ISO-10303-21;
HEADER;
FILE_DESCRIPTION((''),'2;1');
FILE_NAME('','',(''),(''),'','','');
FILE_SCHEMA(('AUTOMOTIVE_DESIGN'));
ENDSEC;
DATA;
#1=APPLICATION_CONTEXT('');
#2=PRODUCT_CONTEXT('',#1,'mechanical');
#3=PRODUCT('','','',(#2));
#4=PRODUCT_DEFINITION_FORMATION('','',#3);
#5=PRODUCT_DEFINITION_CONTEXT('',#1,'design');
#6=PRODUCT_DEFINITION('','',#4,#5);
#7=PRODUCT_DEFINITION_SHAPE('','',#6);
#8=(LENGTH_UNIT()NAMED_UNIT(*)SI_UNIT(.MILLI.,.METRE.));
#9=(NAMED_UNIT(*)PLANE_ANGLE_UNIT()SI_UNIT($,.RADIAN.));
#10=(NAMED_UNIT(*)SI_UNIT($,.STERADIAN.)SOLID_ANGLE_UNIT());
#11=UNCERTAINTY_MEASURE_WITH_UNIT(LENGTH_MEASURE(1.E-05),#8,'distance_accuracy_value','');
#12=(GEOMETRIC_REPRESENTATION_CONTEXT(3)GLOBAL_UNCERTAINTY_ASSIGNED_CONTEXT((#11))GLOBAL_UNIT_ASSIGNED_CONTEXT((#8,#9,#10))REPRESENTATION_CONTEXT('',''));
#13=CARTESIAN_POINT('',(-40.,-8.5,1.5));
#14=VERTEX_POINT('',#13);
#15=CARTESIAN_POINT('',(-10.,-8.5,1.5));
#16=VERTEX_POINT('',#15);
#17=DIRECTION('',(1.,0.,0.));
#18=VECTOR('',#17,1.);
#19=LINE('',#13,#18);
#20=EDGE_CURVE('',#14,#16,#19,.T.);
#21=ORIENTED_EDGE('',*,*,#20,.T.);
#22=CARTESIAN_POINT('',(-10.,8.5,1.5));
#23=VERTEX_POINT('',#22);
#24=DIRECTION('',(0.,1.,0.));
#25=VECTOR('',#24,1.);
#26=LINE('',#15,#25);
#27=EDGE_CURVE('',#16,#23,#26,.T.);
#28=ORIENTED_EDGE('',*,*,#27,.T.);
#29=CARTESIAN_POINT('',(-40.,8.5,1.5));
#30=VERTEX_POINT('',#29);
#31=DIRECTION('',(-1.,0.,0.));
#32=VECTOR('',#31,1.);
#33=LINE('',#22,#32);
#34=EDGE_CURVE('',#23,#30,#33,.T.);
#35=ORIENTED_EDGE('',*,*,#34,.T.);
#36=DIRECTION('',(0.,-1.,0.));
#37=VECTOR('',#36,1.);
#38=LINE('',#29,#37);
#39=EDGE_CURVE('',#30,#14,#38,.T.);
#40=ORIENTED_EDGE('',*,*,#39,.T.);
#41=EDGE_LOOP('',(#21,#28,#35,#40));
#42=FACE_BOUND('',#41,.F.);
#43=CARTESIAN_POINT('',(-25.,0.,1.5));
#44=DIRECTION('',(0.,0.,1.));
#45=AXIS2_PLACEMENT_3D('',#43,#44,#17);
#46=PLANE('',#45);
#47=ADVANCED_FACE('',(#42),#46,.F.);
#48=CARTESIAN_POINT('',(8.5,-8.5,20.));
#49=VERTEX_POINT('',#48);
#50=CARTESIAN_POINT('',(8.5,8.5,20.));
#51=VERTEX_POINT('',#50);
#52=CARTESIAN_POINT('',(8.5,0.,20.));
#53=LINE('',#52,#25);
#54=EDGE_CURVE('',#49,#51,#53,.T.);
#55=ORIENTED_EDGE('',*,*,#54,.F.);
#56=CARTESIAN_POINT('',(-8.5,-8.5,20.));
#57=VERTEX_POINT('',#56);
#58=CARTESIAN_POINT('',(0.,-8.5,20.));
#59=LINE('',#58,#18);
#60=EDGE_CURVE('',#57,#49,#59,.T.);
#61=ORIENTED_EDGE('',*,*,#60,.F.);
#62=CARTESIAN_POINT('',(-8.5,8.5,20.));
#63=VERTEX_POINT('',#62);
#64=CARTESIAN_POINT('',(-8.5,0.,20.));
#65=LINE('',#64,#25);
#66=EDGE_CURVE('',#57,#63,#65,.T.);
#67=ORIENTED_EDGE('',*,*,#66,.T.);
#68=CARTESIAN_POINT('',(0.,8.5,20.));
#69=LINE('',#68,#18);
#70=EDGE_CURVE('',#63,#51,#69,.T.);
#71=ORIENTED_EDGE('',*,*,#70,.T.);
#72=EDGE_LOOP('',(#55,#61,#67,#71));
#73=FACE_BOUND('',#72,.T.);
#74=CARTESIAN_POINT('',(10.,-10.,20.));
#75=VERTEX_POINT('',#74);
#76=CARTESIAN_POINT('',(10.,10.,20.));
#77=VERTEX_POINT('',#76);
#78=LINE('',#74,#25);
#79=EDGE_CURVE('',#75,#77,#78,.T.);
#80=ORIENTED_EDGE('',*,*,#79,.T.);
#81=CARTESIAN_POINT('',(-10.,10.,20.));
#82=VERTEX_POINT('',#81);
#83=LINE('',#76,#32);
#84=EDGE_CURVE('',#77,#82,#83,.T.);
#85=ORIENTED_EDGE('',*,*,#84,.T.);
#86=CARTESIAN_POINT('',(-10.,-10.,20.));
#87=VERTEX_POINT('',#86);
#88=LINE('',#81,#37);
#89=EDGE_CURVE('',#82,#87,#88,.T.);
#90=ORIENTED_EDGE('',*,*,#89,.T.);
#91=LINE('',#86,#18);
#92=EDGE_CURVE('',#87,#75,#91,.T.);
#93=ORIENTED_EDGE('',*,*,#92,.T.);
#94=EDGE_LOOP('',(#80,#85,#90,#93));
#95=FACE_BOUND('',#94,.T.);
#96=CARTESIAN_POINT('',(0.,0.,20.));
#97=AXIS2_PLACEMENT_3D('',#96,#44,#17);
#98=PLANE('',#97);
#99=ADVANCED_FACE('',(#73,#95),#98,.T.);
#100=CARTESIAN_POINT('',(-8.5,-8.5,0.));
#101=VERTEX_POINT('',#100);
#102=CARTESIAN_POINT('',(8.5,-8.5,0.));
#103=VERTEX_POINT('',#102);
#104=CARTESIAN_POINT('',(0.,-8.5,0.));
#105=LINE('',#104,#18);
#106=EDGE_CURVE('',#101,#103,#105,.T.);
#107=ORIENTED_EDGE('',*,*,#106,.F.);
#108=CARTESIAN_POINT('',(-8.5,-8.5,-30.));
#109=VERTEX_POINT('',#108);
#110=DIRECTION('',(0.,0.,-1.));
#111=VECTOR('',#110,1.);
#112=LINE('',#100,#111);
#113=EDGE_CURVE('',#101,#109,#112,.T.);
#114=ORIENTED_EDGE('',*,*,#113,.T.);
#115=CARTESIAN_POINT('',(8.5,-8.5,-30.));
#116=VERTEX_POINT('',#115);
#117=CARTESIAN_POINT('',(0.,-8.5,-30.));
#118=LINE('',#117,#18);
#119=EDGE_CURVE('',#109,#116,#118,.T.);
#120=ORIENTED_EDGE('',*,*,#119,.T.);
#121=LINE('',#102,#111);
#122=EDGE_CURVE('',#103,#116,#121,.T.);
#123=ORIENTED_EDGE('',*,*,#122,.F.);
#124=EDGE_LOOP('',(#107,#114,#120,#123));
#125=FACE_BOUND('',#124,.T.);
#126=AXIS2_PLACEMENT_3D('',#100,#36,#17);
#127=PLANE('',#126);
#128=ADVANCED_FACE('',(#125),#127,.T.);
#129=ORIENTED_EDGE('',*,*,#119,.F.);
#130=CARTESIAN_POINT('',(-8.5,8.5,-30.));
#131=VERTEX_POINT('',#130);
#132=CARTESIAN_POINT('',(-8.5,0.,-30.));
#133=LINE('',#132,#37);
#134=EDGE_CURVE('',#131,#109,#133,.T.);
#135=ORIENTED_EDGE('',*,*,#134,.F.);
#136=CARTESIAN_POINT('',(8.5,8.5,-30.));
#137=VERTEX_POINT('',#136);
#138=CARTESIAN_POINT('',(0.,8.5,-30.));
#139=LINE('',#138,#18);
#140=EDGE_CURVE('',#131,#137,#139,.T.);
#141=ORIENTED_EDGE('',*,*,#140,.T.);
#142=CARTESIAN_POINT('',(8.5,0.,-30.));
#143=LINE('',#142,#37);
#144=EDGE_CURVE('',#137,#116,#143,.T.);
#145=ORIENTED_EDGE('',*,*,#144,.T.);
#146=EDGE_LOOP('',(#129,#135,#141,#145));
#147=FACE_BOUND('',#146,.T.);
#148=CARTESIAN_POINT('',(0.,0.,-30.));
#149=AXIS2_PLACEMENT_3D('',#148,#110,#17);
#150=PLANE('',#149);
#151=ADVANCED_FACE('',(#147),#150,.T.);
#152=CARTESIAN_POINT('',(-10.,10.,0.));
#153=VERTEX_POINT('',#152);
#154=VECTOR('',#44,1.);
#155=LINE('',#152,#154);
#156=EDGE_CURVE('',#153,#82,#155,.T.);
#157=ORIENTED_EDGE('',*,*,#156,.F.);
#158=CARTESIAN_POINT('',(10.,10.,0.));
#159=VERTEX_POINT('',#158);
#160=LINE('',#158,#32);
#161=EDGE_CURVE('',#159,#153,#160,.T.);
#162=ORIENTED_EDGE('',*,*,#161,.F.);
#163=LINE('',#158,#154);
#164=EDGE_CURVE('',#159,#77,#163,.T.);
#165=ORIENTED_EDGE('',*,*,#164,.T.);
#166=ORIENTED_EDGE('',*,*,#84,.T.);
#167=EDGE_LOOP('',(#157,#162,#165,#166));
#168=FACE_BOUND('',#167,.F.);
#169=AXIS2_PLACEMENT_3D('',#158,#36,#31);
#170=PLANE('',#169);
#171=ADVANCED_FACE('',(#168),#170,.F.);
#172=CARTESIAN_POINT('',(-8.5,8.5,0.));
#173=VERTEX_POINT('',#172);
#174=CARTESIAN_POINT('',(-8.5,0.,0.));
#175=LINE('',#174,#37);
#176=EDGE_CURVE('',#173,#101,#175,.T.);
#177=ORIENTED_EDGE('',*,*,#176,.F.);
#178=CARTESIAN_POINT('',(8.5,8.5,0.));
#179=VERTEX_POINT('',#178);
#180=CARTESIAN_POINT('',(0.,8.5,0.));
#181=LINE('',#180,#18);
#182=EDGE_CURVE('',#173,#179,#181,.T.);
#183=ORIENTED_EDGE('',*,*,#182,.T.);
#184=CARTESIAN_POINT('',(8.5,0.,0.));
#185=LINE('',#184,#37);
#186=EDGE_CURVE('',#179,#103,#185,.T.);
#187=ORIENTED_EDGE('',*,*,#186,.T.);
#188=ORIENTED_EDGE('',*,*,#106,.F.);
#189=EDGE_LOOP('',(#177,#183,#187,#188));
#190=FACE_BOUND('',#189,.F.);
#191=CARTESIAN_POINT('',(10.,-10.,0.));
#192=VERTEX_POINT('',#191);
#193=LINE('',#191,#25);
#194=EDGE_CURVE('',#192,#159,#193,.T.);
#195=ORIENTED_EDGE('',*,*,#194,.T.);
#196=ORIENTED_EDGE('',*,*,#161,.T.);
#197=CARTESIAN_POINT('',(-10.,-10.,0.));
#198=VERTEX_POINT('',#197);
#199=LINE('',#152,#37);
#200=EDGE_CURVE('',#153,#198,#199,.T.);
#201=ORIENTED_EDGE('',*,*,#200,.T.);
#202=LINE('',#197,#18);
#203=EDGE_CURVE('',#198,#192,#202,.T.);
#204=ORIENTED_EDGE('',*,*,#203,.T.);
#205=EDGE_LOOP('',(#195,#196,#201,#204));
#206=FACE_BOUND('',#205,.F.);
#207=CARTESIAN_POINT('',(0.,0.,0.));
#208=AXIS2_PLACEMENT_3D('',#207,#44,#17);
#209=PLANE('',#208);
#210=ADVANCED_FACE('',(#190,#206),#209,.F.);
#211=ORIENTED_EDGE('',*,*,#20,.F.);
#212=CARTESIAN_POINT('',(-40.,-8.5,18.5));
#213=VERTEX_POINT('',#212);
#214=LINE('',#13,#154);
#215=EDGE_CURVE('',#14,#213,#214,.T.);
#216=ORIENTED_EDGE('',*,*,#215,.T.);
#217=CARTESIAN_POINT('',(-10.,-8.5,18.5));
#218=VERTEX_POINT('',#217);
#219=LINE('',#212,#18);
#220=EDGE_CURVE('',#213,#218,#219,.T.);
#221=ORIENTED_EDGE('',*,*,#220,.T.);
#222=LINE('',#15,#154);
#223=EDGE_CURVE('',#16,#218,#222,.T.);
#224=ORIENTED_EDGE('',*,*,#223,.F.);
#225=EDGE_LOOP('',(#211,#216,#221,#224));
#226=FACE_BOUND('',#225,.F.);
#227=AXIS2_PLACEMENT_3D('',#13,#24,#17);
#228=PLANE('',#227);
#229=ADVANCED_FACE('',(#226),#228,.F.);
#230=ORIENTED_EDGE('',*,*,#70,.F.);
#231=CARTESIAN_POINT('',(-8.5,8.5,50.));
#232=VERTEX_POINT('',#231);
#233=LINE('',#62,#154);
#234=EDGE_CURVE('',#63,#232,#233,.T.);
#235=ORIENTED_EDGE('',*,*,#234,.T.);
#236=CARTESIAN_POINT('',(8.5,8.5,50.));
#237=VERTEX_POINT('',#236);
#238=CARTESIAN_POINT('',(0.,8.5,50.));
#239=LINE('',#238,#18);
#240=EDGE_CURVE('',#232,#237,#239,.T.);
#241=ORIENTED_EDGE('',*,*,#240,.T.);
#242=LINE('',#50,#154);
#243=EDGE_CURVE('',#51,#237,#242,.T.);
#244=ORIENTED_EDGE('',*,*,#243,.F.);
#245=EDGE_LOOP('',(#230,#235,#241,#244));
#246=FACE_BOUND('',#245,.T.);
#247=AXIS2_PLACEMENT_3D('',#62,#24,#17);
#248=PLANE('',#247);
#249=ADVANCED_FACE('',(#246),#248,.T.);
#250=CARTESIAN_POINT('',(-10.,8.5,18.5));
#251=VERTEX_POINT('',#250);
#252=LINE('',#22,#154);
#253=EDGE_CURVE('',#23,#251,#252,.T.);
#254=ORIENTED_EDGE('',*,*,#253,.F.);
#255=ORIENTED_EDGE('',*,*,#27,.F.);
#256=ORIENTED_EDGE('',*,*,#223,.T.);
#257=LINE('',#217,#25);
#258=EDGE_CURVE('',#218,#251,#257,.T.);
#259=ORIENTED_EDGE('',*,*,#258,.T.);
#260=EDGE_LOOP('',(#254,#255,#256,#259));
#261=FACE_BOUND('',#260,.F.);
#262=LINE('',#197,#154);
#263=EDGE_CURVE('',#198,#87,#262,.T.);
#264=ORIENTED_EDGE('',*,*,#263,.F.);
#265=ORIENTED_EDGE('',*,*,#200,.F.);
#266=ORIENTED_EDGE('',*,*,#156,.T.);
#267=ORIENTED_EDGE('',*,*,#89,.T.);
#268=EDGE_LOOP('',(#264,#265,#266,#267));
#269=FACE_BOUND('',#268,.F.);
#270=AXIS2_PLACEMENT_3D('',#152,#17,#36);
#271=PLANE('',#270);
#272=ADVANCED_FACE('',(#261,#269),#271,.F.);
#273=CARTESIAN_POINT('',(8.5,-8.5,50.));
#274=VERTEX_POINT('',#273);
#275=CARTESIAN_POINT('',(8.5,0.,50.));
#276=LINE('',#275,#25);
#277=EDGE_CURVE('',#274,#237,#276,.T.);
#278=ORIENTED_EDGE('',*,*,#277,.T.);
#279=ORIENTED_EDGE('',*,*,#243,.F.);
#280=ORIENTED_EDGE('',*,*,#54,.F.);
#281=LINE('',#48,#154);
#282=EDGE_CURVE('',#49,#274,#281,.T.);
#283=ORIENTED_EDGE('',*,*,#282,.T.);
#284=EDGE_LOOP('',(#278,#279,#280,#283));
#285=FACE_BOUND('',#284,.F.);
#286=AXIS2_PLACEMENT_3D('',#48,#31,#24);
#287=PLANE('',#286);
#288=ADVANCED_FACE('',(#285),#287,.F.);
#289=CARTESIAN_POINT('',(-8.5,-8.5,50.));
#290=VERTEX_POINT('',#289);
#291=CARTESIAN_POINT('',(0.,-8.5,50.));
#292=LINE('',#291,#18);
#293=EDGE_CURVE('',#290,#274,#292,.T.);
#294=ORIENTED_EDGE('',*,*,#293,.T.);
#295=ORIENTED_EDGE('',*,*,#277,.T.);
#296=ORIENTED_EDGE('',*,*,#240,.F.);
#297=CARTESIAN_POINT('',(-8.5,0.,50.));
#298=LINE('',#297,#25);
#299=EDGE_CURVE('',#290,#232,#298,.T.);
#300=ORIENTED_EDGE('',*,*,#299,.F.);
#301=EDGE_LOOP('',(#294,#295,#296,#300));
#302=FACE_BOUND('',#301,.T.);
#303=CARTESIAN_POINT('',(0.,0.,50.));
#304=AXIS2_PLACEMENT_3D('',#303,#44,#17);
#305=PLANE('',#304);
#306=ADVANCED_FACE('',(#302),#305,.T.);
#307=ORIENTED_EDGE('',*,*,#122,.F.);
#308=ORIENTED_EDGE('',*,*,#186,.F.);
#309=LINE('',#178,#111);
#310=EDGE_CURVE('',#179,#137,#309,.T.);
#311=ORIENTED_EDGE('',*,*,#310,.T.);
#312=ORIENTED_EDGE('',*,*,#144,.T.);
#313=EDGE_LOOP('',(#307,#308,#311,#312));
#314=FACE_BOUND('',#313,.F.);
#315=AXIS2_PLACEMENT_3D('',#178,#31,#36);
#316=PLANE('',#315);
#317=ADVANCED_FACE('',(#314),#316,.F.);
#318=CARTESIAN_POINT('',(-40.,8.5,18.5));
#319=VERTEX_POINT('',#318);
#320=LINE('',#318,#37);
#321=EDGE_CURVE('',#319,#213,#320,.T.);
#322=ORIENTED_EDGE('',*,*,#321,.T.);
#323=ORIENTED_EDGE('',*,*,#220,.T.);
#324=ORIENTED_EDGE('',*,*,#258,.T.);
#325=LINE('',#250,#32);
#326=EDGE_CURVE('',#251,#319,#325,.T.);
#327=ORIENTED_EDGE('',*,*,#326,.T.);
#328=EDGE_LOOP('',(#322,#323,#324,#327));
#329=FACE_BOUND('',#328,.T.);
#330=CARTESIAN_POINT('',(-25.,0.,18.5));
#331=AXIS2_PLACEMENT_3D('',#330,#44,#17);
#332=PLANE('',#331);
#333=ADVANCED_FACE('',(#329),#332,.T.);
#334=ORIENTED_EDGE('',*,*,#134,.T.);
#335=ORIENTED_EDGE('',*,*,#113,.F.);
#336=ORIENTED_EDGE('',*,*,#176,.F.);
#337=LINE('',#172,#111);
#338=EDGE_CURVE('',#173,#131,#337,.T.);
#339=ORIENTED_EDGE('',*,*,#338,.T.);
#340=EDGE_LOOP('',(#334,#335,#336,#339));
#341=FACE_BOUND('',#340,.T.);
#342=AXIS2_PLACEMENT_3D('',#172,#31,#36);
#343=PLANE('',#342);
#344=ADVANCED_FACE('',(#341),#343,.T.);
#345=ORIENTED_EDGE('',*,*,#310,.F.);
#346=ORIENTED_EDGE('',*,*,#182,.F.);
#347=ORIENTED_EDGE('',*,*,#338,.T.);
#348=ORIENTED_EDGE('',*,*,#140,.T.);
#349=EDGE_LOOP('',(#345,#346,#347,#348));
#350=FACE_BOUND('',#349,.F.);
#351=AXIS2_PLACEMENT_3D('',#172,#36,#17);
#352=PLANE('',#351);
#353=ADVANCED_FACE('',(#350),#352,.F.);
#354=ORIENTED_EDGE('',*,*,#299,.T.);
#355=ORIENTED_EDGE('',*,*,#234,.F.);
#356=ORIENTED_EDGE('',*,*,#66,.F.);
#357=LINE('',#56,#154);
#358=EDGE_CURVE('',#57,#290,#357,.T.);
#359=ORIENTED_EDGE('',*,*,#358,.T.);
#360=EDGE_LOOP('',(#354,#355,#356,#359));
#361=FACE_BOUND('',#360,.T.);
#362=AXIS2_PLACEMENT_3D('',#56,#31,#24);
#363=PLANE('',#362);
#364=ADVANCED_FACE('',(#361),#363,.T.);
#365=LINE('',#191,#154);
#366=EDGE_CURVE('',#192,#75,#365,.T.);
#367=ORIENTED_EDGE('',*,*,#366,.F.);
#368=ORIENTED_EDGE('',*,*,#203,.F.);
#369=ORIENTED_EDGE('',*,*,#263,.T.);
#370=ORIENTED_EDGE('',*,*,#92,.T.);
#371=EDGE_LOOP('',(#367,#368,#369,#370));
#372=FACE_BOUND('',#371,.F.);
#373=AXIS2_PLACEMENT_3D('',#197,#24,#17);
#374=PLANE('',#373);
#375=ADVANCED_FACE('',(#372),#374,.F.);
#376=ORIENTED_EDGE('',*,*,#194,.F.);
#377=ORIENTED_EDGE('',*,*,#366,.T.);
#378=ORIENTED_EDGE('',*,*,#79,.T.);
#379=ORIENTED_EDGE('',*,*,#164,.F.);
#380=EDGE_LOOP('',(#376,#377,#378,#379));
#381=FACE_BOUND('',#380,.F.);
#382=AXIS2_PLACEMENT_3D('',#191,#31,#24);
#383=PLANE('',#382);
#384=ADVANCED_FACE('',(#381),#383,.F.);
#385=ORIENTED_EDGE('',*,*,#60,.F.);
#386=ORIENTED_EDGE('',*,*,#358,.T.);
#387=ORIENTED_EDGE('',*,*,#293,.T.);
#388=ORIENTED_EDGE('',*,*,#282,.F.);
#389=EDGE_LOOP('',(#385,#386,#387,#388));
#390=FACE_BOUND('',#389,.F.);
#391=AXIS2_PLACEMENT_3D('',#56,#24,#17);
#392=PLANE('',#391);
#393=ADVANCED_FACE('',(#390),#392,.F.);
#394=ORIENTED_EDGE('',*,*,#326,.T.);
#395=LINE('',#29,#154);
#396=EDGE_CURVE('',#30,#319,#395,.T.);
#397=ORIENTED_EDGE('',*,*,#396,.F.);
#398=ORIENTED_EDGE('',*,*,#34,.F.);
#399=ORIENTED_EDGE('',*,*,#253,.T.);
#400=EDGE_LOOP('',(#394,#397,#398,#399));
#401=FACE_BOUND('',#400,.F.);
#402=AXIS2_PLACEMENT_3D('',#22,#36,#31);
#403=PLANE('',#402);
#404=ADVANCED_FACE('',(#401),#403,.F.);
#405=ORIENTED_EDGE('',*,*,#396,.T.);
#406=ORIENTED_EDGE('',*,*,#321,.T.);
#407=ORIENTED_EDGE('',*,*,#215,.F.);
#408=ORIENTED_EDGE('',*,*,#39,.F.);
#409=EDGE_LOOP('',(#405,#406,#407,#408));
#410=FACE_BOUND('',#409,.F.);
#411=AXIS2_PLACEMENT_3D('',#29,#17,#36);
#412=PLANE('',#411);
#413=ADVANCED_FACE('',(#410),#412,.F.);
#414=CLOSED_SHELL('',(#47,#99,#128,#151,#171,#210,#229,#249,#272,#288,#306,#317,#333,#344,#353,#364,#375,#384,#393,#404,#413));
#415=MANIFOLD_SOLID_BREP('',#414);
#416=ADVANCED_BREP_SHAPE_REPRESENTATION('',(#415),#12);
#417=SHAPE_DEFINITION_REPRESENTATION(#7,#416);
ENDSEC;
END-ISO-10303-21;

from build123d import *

# Parameters (mm, degrees)
F1_DEPTH = 20
F2_START = 1.5
F2_DEPTH = 17
F3_W     = 17
F3_H     = 17
F4_DEPTH = 30
F5_W     = 17
F5_H     = 17
F6_DEPTH = 30


with BuildPart() as f1:
    # F0 (on Top) → F1 (new body)
    with BuildSketch(Plane.XY):
        Polygon((8.5, -10), (10, -10), (10, 10), (-10, 10), (-10, 8.5), (-10, 0), (-10, -8.5), (-10, -10), (-8.5, -10), (0, -10), align=None)
    extrude(amount=F1_DEPTH)

    # F0 (on Top) → F2 (join)
    with BuildSketch(Plane.XY.offset(F2_START)):
        Polygon((-10, 0), (-10, 8.5), (-40, 8.5), (-40, -8.5), (-10, -8.5), align=None)
    extrude(amount=F2_DEPTH)

    # F3 (on face) → F4 (join)
    with BuildSketch(Plane.XY.offset(20)):
        Rectangle(F3_W, F3_H)
    extrude(amount=F4_DEPTH)

    # F5 (on face) → F6 (join)
    with BuildSketch(Plane(origin=(0, 0, 0), x_dir=(1, 0, 0), z_dir=(0, 0, -1))):
        Rectangle(F5_W, F5_H)
    extrude(amount=F6_DEPTH)


solid = f1.part
